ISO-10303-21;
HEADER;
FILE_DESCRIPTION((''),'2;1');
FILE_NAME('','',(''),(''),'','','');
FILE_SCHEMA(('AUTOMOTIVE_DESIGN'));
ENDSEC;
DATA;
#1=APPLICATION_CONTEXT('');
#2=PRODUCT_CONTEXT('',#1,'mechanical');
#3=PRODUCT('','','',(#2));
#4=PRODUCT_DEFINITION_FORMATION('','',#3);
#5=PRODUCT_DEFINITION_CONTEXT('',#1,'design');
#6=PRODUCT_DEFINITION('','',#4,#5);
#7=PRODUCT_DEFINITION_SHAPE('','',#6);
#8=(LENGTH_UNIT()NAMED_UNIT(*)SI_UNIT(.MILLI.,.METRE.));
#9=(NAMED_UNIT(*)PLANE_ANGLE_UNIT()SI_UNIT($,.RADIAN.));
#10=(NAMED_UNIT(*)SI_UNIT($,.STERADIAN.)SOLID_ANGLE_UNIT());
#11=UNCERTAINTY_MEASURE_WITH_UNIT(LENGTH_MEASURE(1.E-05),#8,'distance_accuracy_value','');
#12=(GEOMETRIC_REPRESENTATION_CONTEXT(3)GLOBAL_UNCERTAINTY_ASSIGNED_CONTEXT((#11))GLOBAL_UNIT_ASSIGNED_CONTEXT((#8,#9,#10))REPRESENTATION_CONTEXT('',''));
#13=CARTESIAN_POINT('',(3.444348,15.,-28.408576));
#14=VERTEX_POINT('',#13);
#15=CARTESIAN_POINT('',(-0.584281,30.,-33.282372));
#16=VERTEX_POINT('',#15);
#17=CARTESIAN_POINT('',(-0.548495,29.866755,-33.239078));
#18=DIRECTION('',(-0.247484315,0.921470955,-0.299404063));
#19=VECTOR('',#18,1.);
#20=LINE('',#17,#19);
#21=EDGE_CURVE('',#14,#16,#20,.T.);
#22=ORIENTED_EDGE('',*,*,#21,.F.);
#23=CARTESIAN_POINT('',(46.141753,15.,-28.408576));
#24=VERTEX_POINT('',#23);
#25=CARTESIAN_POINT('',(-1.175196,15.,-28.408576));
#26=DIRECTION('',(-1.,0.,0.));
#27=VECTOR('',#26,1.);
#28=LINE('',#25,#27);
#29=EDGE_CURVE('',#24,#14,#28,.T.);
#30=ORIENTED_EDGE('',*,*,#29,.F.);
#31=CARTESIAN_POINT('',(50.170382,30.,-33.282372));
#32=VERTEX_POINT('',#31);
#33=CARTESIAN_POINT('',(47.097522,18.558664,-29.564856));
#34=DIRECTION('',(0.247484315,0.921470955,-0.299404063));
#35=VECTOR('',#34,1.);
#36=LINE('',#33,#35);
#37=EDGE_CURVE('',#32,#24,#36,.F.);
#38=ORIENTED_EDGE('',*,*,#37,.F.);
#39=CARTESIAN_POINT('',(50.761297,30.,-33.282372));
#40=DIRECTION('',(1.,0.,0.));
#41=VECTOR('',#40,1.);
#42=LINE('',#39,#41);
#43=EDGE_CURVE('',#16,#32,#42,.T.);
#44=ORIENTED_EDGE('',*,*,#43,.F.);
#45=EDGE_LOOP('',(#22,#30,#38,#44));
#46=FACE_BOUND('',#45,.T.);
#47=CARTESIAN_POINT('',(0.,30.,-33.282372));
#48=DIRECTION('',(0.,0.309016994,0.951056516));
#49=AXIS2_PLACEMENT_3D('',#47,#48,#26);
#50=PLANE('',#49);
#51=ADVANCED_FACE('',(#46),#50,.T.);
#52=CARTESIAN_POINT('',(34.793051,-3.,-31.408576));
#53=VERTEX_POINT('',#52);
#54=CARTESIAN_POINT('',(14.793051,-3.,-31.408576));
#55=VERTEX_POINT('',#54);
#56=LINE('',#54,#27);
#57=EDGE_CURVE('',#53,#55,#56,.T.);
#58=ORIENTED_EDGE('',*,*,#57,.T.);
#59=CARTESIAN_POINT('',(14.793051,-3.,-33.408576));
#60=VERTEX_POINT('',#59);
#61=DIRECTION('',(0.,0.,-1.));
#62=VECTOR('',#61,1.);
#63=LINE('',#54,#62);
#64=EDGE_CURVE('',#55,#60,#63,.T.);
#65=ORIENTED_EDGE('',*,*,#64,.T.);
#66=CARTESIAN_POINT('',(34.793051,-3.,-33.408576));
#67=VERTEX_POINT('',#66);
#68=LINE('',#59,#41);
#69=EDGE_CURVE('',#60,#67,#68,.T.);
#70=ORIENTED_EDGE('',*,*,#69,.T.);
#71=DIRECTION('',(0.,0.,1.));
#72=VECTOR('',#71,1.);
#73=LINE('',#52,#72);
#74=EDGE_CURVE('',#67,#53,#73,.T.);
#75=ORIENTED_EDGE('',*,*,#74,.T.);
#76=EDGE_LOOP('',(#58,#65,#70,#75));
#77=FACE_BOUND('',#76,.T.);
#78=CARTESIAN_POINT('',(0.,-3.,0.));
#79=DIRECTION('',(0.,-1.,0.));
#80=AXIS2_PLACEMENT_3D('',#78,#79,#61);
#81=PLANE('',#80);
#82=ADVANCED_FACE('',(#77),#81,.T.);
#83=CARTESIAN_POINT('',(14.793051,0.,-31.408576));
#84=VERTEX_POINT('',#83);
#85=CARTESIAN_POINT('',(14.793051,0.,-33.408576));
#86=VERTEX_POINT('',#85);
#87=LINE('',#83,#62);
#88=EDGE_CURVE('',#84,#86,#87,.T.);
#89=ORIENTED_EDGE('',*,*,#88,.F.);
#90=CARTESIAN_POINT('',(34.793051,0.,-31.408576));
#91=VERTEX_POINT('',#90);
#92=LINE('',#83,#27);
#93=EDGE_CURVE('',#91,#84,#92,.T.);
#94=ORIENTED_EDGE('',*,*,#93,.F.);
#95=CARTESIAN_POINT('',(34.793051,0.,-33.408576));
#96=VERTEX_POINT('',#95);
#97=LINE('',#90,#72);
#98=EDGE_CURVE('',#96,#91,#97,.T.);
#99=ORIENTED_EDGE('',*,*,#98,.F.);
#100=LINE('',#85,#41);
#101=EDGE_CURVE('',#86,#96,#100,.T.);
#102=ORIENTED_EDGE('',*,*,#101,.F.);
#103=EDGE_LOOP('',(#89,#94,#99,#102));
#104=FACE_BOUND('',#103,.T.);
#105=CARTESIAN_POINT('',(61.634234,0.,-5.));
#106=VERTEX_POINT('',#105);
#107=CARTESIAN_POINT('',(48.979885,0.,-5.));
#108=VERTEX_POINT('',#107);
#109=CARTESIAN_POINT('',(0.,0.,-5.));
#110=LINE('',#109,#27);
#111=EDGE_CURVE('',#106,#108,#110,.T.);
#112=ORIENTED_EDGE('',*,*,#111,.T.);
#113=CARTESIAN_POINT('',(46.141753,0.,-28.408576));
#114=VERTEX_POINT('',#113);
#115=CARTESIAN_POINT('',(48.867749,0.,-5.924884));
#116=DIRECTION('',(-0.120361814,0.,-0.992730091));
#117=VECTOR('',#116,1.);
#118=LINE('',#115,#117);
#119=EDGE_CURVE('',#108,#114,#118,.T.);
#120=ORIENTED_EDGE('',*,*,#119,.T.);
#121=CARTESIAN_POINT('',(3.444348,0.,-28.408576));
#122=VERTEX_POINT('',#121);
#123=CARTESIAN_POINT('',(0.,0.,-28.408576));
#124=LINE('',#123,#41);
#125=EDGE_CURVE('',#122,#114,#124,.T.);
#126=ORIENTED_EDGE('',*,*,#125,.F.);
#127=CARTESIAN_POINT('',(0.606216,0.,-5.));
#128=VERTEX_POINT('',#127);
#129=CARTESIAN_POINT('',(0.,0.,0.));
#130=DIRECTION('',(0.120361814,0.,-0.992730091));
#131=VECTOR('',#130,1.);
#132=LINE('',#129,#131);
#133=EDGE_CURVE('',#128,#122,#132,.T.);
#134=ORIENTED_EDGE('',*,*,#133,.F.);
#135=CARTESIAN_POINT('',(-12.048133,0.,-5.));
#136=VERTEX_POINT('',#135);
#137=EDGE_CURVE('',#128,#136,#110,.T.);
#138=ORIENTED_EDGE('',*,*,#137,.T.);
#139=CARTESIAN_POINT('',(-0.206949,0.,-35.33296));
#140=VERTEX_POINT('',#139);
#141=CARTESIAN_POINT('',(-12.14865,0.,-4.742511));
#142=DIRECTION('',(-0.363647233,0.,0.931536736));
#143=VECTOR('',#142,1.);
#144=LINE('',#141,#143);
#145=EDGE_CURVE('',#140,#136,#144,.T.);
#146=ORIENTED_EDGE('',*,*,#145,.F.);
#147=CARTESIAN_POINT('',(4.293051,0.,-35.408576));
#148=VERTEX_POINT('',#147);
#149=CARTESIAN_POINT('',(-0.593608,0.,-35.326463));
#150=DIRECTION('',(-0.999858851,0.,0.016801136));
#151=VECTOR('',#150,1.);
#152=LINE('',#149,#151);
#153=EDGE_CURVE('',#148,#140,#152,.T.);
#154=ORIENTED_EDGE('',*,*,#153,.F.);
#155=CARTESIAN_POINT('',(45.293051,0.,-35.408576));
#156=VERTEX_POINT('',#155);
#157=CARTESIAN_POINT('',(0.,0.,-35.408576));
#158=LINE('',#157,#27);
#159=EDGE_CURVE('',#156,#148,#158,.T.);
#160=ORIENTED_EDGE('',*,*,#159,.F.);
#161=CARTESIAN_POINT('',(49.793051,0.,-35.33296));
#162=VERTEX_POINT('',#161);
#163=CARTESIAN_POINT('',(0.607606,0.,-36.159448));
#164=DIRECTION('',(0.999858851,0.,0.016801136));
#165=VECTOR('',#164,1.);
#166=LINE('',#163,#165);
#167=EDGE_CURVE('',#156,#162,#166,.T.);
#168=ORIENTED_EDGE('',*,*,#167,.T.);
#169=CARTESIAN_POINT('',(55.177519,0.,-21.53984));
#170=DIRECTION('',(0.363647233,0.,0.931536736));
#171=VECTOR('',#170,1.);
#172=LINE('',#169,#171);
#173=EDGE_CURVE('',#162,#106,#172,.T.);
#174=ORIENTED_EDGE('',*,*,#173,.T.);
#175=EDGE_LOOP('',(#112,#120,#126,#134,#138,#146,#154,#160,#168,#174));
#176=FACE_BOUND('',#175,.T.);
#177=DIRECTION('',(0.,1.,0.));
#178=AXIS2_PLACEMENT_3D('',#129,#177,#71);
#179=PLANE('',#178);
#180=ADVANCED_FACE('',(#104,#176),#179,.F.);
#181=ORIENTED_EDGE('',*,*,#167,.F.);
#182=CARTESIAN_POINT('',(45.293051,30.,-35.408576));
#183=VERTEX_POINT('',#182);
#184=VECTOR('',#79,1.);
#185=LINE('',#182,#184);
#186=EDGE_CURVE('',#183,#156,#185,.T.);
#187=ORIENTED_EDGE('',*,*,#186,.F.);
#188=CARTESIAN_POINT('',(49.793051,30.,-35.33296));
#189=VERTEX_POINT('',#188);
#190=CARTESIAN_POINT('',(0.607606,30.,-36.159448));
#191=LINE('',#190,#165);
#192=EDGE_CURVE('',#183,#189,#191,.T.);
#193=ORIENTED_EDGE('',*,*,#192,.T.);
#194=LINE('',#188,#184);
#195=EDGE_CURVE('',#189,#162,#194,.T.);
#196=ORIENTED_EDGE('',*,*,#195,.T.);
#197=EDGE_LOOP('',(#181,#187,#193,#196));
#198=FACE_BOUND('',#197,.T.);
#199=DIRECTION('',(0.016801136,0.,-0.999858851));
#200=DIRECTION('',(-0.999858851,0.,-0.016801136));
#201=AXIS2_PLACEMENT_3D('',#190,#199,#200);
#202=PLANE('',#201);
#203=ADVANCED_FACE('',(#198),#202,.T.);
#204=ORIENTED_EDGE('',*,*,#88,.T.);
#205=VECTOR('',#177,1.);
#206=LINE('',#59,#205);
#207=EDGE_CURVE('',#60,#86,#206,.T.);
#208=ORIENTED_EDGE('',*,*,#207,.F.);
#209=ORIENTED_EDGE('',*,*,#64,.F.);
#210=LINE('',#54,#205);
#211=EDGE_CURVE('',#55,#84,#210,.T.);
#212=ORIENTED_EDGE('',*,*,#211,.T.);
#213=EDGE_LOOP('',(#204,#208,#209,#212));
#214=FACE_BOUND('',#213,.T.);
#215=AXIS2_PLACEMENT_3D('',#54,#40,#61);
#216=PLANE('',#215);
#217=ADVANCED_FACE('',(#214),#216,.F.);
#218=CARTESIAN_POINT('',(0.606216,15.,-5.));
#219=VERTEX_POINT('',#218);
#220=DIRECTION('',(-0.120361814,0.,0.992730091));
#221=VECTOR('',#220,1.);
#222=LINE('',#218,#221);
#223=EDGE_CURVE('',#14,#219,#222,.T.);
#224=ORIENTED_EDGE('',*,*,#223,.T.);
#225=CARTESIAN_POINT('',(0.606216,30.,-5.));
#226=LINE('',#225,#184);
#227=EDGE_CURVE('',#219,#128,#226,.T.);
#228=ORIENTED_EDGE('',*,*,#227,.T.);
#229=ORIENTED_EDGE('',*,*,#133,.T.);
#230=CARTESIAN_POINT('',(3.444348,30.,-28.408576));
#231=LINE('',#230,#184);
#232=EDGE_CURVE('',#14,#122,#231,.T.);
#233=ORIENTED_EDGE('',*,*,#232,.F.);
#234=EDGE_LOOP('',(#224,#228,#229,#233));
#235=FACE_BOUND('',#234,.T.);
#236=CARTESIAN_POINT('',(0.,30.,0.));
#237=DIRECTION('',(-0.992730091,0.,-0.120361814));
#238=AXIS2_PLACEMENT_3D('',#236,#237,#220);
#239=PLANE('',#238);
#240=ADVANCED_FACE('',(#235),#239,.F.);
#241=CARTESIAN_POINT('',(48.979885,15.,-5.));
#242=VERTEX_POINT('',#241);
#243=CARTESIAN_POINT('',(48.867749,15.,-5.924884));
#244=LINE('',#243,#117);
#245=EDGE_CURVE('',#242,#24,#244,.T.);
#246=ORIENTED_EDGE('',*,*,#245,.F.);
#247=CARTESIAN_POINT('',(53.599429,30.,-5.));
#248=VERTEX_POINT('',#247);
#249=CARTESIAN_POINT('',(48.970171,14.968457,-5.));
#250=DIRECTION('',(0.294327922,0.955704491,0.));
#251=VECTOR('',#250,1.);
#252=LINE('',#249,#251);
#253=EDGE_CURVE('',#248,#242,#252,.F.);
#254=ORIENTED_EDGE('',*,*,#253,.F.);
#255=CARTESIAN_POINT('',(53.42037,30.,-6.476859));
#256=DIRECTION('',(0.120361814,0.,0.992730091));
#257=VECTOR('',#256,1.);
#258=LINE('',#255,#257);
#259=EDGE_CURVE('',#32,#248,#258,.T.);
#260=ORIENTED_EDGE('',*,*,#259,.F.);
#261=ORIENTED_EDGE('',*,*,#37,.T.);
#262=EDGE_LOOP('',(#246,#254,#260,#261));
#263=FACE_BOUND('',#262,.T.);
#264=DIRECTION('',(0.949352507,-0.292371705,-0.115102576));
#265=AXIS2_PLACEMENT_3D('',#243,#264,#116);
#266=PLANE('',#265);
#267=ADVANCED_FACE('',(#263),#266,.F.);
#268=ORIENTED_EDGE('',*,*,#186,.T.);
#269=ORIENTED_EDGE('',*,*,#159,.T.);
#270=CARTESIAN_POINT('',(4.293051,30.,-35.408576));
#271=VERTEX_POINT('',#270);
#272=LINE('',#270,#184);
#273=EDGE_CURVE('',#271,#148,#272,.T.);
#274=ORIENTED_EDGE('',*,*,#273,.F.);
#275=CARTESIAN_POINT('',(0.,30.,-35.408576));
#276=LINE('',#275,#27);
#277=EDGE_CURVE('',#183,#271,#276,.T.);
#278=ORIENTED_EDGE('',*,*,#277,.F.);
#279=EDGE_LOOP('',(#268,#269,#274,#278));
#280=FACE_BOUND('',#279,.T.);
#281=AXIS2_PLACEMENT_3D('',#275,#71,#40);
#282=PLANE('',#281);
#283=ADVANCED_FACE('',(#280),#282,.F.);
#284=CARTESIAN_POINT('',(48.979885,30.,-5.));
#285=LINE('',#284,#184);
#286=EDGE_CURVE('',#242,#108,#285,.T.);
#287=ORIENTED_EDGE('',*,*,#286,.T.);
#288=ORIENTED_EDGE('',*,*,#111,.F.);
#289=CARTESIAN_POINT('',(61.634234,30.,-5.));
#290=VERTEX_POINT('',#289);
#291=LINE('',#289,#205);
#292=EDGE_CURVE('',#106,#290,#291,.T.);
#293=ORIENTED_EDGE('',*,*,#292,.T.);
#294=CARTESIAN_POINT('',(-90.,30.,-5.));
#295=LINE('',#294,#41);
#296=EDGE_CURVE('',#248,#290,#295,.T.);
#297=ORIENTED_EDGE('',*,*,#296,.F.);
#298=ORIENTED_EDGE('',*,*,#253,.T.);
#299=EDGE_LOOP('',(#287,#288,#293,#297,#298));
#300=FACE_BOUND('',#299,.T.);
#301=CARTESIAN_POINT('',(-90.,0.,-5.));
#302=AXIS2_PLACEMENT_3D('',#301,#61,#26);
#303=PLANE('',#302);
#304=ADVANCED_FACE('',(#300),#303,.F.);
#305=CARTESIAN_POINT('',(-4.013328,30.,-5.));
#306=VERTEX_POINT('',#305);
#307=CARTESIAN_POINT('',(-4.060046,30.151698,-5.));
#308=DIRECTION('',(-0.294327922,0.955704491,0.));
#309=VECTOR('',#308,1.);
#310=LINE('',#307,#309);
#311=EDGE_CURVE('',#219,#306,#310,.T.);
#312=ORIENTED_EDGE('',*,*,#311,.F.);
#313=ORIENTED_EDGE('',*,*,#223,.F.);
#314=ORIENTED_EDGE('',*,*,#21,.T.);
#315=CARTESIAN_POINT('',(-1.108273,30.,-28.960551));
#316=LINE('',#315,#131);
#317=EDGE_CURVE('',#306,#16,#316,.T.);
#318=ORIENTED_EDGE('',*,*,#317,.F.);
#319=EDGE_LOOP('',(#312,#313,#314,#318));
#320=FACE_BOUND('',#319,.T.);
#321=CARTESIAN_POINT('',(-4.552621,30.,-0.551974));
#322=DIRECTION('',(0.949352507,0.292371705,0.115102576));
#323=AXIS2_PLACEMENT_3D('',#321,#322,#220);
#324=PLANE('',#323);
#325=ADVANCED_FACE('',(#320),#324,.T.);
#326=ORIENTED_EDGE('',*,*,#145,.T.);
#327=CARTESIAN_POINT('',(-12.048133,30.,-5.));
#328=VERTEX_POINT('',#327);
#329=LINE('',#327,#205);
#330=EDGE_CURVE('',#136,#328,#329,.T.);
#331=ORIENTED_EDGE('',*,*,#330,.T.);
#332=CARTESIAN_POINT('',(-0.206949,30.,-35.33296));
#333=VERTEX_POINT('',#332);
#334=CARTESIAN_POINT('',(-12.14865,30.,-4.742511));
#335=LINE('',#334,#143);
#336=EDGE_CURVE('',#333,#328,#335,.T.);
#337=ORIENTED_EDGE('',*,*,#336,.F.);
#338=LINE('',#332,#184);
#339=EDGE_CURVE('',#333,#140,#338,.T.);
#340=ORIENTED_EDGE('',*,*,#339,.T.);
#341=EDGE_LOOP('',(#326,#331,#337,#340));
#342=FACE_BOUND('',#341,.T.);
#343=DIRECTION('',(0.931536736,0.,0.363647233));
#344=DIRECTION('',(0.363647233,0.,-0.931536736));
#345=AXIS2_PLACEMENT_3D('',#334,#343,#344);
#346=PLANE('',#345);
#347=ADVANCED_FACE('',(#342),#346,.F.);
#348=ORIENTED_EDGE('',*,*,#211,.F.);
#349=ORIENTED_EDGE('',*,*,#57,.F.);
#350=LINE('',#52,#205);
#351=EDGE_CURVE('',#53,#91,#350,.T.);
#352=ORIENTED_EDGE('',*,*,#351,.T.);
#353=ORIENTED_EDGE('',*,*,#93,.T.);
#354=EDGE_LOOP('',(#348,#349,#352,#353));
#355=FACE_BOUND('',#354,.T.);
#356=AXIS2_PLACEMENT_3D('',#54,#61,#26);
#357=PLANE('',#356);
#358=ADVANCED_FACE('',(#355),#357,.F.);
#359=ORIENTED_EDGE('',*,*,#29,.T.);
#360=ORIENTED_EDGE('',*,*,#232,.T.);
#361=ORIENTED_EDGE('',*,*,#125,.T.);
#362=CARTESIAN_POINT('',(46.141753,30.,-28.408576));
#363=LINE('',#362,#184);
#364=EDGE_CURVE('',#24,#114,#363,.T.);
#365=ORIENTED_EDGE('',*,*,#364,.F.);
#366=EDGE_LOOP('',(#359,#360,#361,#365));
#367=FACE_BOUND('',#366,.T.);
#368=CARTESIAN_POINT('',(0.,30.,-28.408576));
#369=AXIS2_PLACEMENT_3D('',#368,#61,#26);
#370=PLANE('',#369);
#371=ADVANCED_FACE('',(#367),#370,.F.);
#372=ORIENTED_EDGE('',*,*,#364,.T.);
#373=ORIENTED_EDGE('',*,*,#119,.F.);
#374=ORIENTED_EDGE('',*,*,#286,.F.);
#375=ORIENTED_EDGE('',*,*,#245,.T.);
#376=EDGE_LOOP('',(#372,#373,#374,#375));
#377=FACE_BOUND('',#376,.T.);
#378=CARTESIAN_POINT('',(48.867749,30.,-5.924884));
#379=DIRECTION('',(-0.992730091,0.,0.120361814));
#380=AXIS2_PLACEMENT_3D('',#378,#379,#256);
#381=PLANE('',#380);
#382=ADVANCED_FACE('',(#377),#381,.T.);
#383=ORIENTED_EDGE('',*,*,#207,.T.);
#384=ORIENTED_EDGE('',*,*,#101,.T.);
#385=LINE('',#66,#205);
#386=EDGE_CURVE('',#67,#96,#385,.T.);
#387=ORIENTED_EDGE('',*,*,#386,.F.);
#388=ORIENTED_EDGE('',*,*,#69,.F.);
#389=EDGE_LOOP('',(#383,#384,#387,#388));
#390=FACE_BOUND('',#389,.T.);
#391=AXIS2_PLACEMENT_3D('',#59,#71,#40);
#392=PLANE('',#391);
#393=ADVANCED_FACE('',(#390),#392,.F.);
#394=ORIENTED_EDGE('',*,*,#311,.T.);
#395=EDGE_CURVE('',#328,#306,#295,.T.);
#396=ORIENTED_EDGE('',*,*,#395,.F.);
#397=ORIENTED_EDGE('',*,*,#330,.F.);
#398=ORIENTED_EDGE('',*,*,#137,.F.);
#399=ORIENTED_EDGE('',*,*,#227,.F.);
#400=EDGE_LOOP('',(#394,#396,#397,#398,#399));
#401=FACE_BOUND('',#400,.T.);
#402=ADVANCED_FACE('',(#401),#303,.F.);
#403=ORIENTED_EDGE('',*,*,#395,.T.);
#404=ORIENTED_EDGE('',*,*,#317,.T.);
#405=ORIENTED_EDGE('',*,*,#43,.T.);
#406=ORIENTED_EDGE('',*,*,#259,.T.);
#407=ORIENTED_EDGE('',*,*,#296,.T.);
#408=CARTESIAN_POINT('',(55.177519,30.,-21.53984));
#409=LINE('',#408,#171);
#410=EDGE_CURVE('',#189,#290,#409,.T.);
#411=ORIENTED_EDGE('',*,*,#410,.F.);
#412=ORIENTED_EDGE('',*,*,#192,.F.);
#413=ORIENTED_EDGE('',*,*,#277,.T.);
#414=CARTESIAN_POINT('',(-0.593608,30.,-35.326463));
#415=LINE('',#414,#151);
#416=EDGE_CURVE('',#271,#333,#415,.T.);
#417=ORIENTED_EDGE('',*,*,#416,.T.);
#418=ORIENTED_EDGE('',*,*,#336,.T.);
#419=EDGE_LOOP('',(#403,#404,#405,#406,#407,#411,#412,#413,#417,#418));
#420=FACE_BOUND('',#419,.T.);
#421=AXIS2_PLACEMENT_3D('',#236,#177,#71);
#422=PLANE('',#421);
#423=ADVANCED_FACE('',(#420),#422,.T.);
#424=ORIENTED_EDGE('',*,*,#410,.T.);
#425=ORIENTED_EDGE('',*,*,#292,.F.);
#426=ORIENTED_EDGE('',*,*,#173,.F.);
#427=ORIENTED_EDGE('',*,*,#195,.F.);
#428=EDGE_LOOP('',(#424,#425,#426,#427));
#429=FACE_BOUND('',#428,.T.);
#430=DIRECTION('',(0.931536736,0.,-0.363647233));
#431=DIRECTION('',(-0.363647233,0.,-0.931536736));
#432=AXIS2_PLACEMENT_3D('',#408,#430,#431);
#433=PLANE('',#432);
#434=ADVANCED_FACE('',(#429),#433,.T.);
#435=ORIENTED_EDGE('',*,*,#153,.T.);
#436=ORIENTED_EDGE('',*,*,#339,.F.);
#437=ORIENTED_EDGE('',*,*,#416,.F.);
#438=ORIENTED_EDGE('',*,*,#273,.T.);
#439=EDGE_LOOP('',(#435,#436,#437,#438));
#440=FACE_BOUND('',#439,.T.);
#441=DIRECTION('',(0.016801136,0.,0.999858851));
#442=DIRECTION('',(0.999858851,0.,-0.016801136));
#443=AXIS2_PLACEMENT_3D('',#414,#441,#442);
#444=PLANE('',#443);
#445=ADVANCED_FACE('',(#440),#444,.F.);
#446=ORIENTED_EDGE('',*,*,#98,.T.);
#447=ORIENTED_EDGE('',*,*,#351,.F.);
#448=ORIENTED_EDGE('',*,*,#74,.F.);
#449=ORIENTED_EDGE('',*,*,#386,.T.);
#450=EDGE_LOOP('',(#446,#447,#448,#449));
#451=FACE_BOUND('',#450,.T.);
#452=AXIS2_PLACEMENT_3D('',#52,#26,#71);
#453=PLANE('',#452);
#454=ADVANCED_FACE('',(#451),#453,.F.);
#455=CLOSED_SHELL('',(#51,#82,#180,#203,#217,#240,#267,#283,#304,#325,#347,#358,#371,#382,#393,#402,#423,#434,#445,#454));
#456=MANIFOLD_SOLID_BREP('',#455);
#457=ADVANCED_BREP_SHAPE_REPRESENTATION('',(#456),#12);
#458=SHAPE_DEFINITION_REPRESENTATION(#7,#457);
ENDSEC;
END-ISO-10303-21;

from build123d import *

# Parameters (mm, degrees)
SALIENTE_EXTRUIR1_DEPTH = 30
CORTAR_EXTRUIR2_DEPTH   = 90
CROQUIS5_W              = 20
CROQUIS5_H              = 2
SALIENTE_EXTRUIR2_DEPTH = 3
CHAFL_N1_SIZE           = 15
CHAFL_N1_SIZE2          = 4.585960222
CHAFL_N2_SIZE           = 15
CHAFL_N2_SIZE2          = 4.585960222
CHAFL_N3_SIZE           = 15
CHAFL_N3_SIZE2          = 4.873795443


with BuildPart() as part:
    # Croquis2 → Saliente-Extruir1 (new body)
    with BuildSketch(Plane(origin=(0, 0, 0), x_dir=(1, 0, 0), z_dir=(0, 1, 0))):
        Polygon((4.293050572, 35.408576274), (-0.206949428, 35.33296049), (-14, 0), (0, 0), (3.44434788, 28.408576274), align=None)
        Polygon((45.293050572, 35.408576274), (4.293050572, 35.408576274), (3.44434788, 28.408576274), (46.141753264, 28.408576274), align=None)
        Polygon((49.793050572, 35.33296049), (45.293050572, 35.408576274), (46.141753264, 28.408576274), (49.586101144, 0), (63.586101144, 0), align=None)
    extrude(amount=SALIENTE_EXTRUIR1_DEPTH)

    # Croquis4 → Cortar-Extruir2 (cut, symmetric)
    with BuildSketch(Plane(origin=(0, 0, 0), x_dir=(0, 0, -1), z_dir=(1, 0, 0))):
        Polygon((0, 0), (5, 0), (5, 30), (-4.90661078, 30), (-4.90661078, 0), align=None)
    extrude(amount=CORTAR_EXTRUIR2_DEPTH, both=True, mode=Mode.SUBTRACT)

    # Croquis5 → Saliente-Extruir2 (add)
    with BuildSketch(Plane(origin=(0, 0, 0), x_dir=(-1, 0, 0), z_dir=(0, -1, 0))):
        with Locations((-24.793050572, 32.408576274)):
            Rectangle(CROQUIS5_W, CROQUIS5_H)
    extrude(amount=SALIENTE_EXTRUIR2_DEPTH)

    # Chaflán1
    chafl_n1_edges = [part.edges().sort_by_distance(p)[0] for p in [
        (2.025282044, 30, -16.704288137),
    ]]
    chafl_n1_side = [part.faces().sort_by_distance(p)[0] for p in [
        (2.025282044, 15, -16.704288137),
    ]]
    chamfer(chafl_n1_edges, length=CHAFL_N1_SIZE, length2=CHAFL_N1_SIZE2, reference=chafl_n1_side[0])

    # Chaflán2
    chafl_n2_edges = [part.edges().sort_by_distance(p)[0] for p in [
        (47.5608191, 30, -16.704288137),
    ]]
    chafl_n2_side = [part.faces().sort_by_distance(p)[0] for p in [
        (47.5608191, 15, -16.704288137),
    ]]
    chamfer(chafl_n2_edges, length=CHAFL_N2_SIZE, length2=CHAFL_N2_SIZE2, reference=chafl_n2_side[0])

    # Chaflán3
    chafl_n3_edges = [part.edges().sort_by_distance(p)[0] for p in [
        (24.793050572, 30, -28.408576274),
    ]]
    chafl_n3_side = [part.faces().sort_by_distance(p)[0] for p in [
        (24.793050572, 15.5132008, -28.408576274),
    ]]
    chamfer(chafl_n3_edges, length=CHAFL_N3_SIZE, length2=CHAFL_N3_SIZE2, reference=chafl_n3_side[0])


solid = part.part
